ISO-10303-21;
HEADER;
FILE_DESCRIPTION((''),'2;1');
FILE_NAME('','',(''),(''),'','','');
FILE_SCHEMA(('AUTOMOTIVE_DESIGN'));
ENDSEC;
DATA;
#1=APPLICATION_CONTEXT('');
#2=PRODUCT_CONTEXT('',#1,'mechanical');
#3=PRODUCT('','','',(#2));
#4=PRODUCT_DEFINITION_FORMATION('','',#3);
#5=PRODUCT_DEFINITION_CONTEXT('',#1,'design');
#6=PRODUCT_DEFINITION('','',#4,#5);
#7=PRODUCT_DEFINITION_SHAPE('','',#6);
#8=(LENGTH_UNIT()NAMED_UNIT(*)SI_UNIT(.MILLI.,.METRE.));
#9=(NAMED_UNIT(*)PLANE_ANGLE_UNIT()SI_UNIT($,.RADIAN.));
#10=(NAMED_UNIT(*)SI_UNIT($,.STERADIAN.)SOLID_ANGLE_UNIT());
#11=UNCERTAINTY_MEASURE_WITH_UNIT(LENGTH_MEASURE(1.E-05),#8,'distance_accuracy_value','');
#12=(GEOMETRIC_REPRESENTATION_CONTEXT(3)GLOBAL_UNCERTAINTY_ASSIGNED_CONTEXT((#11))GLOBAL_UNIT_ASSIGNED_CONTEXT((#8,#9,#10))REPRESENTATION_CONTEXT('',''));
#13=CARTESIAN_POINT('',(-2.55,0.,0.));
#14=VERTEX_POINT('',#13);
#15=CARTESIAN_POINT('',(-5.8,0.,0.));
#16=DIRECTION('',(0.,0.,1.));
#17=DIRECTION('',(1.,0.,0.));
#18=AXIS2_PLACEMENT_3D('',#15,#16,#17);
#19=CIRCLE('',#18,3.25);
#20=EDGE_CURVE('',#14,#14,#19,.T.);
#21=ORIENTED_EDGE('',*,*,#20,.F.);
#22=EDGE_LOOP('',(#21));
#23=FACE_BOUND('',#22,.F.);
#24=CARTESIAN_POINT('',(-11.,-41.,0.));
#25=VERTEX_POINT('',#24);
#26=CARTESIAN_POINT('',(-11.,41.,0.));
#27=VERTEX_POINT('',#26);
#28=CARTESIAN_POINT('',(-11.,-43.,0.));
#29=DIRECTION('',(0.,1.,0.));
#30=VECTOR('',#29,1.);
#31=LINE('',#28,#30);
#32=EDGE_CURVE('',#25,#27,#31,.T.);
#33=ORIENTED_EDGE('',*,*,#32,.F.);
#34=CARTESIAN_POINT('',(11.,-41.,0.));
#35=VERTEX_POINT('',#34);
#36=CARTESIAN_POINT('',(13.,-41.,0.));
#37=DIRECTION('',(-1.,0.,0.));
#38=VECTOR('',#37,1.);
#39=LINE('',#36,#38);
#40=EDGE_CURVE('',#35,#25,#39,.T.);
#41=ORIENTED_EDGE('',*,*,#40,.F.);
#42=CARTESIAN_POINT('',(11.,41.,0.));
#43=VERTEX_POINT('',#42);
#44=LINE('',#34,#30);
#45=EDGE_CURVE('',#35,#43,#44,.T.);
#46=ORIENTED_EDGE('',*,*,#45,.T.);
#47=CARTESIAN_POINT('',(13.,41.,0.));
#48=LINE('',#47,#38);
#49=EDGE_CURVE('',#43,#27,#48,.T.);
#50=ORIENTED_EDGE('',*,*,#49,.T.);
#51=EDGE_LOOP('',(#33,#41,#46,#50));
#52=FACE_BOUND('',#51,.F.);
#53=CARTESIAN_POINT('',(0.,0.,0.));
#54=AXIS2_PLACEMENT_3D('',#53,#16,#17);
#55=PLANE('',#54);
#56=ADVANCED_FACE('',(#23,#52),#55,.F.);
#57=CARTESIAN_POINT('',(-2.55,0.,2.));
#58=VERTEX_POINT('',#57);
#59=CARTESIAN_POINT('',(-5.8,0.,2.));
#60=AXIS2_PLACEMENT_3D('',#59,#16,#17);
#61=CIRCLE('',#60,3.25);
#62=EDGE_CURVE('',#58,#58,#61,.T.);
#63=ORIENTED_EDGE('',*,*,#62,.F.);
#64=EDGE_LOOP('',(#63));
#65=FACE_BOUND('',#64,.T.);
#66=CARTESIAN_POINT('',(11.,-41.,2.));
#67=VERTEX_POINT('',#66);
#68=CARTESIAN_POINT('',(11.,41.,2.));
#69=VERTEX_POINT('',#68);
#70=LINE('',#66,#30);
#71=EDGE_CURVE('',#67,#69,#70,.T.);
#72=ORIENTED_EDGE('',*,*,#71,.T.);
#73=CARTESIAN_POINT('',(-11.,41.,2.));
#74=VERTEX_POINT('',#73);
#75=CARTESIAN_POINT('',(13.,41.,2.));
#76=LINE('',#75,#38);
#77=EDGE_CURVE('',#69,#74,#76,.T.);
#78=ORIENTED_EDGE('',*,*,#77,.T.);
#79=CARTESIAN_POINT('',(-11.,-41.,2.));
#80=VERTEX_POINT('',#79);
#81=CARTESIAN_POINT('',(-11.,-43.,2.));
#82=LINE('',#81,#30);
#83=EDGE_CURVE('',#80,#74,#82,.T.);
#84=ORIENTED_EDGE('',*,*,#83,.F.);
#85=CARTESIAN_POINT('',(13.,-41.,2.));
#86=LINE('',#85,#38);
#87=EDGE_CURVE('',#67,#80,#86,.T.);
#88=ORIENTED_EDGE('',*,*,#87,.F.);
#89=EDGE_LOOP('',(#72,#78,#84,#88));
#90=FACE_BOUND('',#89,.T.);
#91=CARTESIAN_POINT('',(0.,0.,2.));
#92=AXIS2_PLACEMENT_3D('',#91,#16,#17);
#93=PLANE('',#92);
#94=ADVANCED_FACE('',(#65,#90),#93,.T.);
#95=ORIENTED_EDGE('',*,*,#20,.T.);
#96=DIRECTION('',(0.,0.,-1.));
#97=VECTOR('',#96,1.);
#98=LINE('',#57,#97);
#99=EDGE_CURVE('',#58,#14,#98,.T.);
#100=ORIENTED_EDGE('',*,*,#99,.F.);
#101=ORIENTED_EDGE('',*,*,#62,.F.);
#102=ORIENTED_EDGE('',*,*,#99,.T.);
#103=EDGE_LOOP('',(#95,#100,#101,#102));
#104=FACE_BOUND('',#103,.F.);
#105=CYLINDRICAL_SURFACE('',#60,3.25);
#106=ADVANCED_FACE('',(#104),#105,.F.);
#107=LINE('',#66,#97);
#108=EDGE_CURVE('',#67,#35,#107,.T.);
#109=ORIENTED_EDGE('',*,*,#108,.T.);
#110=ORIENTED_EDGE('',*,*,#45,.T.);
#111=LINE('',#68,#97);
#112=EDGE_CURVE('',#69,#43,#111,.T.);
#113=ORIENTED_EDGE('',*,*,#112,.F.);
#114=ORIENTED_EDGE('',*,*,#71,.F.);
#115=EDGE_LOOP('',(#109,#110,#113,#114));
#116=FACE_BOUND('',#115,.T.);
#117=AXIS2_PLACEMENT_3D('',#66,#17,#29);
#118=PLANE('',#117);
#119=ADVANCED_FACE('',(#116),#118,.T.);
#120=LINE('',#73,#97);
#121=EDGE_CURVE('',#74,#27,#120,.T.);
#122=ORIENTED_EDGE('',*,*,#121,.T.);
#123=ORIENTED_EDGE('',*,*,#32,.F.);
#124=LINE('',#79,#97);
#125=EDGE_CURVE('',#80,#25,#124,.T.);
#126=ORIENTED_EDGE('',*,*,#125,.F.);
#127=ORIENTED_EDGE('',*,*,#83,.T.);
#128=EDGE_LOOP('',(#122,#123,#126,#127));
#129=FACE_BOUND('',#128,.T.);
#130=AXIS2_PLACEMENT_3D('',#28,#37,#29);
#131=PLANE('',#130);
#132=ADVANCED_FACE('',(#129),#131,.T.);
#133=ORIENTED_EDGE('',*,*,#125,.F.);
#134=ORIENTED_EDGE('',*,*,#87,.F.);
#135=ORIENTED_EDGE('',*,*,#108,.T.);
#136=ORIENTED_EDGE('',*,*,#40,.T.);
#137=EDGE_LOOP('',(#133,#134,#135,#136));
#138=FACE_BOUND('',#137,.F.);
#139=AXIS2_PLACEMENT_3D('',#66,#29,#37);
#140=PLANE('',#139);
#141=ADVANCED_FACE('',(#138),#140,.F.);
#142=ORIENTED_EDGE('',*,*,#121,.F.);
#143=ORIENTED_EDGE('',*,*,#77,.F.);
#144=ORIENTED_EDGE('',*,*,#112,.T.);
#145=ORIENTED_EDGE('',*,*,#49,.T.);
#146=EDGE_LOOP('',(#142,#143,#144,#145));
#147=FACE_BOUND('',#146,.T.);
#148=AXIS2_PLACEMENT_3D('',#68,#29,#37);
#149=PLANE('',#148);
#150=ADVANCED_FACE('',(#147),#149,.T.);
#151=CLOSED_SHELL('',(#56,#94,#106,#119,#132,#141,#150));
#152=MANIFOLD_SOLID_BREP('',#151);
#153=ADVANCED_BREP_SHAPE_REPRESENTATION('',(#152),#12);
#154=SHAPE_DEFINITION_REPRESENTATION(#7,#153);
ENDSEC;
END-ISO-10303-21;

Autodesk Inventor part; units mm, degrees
ref_plane "YZ Plane" through (0, 0, 0) normal (1, 0, 0) x (0, 1, 0)
ref_plane "XZ Plane" through (0, 0, 0) normal (0, 1, 0) x (-1, 0, 0)
ref_plane "XY Plane" through (0, 0, 0) normal (0, 0, 1) x (1, 0, 0)
sketch "Sketch1" plane through (0, 0, 0) normal (0, 0, 1) x (1, 0, 0)
  line L0 (-11, 43) -> (13, 43)
  line L1 (13, 43) -> (13, -43)
  line L2 (13, -43) -> (-11, -43)
  line L3 (-11, -43) -> (-11, 43)
  point P0 (0, 0)
  dimension "d0" = 24
  dimension "d1" = 86
  dimension "d2" = 43
  dimension "d3" = 11
extrude "Extrusion1" add sketch "Sketch1" along normal blind 2
sketch "Sketch2" plane through (0, 0, 2) normal (0, 0, 1) x (1, 0, 0)
  circle A0 centre (-5.8, 0) radius 3.25
  line L0 (13, -43) -> (13, 43) projected
  point P0 (0, 0)
  dimension "d6" = 6.5
  dimension "d7" = 18.8
extrude "Extrusion2" cut sketch "Sketch2" against normal blind 2
sketch "Sketch3" plane through (0, 0, 2) normal (0, 0, 1) x (1, 0, 0)
  line L0 (13, 43) -> (-11, 43) projected
  line L1 (13, -43) -> (13, 43) projected
  line L2 (-11, 43) -> (13, 43)
  line L3 (13, 43) -> (13, 41)
  line L4 (13, 41) -> (-11, 41)
  line L5 (-11, 41) -> (-11, 43)
  line L6 (-11, -43) -> (13, -43)
  line L7 (13, -43) -> (13, -41)
  line L8 (13, -41) -> (-11, -41)
  line L9 (-11, -41) -> (-11, -43)
  line L10 (13, -41) -> (11, -41)
  line L11 (11, -41) -> (11, 41)
  line L12 (11, 41) -> (13, 41)
  line L13 (13, 41) -> (13, -41)
  line L14 (-11, 43) -> (-11, -43) projected
  line L15 (-11, -43) -> (13, -43) projected
  point P0 (0, 0)
  dimension "d10" = 2
  dimension "d11" = 2
  dimension "d12" = 2
extrude "Extrusion3" cut sketch "Sketch3" against normal blind 2 contours L1 L4 L5 L0 | L1 L8 L11 L4 | L1 L6 L9 L8
properties part number "top-1"
